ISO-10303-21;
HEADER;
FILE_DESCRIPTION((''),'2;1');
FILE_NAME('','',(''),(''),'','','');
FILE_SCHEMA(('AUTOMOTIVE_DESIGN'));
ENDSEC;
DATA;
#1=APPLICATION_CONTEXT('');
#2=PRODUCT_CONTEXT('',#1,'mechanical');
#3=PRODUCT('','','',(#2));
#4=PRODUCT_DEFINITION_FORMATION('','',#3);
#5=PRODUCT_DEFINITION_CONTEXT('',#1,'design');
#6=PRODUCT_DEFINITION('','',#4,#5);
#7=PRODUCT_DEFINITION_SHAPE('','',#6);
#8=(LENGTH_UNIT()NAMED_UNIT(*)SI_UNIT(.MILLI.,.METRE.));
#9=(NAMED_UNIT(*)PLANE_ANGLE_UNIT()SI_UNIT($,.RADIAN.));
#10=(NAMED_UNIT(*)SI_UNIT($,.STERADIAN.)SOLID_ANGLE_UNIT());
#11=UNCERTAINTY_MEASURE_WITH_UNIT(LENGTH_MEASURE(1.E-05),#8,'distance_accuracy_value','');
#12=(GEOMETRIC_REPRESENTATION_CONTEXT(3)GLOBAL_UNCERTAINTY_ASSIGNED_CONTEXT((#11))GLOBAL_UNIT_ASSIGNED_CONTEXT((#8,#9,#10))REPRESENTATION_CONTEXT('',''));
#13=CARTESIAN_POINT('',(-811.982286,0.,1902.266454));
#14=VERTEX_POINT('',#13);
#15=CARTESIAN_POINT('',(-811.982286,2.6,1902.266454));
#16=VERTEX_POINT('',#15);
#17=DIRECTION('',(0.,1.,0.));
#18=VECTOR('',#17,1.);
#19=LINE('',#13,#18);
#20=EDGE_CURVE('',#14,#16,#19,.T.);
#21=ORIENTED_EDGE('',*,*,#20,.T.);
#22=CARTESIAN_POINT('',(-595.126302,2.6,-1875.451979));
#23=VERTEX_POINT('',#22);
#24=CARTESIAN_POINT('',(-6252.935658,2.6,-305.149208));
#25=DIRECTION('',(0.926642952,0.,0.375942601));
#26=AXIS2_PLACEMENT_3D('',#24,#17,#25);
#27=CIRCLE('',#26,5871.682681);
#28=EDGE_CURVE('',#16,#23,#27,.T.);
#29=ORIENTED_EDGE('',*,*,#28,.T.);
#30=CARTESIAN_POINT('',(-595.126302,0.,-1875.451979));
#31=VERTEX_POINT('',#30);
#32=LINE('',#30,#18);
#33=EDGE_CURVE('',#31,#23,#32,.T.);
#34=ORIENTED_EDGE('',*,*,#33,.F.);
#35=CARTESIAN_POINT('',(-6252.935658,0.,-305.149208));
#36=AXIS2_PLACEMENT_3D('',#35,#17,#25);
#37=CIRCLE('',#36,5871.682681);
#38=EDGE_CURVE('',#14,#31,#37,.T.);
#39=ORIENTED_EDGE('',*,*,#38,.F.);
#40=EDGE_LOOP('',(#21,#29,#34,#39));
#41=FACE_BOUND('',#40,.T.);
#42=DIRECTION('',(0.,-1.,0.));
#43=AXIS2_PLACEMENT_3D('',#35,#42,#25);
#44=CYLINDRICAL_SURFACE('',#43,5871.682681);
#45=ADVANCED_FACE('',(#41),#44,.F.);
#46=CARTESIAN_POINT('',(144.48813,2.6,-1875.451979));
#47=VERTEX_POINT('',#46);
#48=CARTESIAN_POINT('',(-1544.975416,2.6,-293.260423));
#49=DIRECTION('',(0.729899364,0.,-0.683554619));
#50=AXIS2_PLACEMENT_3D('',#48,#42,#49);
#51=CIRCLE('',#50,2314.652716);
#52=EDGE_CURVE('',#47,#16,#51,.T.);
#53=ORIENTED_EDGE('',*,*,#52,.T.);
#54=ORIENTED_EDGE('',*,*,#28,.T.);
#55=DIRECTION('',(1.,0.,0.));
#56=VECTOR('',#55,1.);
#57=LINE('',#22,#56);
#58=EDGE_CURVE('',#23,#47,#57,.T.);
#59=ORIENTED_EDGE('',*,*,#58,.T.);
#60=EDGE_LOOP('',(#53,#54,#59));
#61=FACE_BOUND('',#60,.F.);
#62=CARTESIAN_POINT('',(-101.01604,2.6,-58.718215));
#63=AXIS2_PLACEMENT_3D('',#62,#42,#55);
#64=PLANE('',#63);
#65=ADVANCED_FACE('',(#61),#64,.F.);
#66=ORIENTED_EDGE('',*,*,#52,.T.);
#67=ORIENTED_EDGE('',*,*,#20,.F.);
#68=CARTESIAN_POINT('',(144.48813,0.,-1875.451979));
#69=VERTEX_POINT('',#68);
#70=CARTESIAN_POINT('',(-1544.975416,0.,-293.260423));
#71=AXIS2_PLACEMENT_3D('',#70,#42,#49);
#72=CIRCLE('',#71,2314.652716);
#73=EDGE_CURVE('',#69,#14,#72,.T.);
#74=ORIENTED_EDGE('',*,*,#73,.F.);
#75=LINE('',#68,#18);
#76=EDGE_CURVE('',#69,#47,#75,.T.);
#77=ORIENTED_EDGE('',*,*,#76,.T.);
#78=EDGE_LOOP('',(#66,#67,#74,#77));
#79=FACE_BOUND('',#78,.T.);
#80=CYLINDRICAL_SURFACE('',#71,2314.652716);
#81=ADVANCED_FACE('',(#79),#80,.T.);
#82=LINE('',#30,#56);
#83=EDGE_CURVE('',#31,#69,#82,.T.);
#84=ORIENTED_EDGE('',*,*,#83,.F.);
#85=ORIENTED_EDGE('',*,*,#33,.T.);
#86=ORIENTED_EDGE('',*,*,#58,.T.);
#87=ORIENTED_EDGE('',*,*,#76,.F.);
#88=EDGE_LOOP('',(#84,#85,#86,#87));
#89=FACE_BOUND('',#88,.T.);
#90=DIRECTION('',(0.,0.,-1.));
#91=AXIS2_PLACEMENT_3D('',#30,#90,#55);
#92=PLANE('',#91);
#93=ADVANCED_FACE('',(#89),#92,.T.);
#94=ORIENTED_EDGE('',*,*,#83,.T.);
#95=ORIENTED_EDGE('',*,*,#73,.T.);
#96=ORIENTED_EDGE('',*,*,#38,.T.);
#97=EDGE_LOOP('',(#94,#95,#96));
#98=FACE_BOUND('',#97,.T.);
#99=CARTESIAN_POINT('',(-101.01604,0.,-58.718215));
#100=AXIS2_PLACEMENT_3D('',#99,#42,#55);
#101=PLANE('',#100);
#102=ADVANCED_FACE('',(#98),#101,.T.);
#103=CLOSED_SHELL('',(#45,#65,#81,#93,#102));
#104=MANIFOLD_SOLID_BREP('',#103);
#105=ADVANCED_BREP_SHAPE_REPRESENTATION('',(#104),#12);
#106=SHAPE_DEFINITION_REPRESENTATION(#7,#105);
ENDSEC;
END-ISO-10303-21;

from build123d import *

# Parameters (mm, degrees)
F1_DEPTH = 2.6


with BuildPart() as f1:
    # F0 (on Front) → F1 (new body)
    with BuildSketch(Plane.XZ):
        with BuildLine():
            ThreePointArc((-811.982286, 1902.266454), (-390.90336, 31.354638), (-595.126302, -1875.451979))
            Line((-595.126302, -1875.451979), (-516.837, -1875.451979))
            Line((-516.837, -1875.451979), (39.50839, -1875.451979))
            Line((39.50839, -1875.451979), (144.48813, -1875.451979))
            ThreePointArc((144.48813, -1875.451979), (698.874674, 274.853974), (-811.982286, 1902.266454))
        make_face()
    extrude(amount=-F1_DEPTH)


solid = f1.part
